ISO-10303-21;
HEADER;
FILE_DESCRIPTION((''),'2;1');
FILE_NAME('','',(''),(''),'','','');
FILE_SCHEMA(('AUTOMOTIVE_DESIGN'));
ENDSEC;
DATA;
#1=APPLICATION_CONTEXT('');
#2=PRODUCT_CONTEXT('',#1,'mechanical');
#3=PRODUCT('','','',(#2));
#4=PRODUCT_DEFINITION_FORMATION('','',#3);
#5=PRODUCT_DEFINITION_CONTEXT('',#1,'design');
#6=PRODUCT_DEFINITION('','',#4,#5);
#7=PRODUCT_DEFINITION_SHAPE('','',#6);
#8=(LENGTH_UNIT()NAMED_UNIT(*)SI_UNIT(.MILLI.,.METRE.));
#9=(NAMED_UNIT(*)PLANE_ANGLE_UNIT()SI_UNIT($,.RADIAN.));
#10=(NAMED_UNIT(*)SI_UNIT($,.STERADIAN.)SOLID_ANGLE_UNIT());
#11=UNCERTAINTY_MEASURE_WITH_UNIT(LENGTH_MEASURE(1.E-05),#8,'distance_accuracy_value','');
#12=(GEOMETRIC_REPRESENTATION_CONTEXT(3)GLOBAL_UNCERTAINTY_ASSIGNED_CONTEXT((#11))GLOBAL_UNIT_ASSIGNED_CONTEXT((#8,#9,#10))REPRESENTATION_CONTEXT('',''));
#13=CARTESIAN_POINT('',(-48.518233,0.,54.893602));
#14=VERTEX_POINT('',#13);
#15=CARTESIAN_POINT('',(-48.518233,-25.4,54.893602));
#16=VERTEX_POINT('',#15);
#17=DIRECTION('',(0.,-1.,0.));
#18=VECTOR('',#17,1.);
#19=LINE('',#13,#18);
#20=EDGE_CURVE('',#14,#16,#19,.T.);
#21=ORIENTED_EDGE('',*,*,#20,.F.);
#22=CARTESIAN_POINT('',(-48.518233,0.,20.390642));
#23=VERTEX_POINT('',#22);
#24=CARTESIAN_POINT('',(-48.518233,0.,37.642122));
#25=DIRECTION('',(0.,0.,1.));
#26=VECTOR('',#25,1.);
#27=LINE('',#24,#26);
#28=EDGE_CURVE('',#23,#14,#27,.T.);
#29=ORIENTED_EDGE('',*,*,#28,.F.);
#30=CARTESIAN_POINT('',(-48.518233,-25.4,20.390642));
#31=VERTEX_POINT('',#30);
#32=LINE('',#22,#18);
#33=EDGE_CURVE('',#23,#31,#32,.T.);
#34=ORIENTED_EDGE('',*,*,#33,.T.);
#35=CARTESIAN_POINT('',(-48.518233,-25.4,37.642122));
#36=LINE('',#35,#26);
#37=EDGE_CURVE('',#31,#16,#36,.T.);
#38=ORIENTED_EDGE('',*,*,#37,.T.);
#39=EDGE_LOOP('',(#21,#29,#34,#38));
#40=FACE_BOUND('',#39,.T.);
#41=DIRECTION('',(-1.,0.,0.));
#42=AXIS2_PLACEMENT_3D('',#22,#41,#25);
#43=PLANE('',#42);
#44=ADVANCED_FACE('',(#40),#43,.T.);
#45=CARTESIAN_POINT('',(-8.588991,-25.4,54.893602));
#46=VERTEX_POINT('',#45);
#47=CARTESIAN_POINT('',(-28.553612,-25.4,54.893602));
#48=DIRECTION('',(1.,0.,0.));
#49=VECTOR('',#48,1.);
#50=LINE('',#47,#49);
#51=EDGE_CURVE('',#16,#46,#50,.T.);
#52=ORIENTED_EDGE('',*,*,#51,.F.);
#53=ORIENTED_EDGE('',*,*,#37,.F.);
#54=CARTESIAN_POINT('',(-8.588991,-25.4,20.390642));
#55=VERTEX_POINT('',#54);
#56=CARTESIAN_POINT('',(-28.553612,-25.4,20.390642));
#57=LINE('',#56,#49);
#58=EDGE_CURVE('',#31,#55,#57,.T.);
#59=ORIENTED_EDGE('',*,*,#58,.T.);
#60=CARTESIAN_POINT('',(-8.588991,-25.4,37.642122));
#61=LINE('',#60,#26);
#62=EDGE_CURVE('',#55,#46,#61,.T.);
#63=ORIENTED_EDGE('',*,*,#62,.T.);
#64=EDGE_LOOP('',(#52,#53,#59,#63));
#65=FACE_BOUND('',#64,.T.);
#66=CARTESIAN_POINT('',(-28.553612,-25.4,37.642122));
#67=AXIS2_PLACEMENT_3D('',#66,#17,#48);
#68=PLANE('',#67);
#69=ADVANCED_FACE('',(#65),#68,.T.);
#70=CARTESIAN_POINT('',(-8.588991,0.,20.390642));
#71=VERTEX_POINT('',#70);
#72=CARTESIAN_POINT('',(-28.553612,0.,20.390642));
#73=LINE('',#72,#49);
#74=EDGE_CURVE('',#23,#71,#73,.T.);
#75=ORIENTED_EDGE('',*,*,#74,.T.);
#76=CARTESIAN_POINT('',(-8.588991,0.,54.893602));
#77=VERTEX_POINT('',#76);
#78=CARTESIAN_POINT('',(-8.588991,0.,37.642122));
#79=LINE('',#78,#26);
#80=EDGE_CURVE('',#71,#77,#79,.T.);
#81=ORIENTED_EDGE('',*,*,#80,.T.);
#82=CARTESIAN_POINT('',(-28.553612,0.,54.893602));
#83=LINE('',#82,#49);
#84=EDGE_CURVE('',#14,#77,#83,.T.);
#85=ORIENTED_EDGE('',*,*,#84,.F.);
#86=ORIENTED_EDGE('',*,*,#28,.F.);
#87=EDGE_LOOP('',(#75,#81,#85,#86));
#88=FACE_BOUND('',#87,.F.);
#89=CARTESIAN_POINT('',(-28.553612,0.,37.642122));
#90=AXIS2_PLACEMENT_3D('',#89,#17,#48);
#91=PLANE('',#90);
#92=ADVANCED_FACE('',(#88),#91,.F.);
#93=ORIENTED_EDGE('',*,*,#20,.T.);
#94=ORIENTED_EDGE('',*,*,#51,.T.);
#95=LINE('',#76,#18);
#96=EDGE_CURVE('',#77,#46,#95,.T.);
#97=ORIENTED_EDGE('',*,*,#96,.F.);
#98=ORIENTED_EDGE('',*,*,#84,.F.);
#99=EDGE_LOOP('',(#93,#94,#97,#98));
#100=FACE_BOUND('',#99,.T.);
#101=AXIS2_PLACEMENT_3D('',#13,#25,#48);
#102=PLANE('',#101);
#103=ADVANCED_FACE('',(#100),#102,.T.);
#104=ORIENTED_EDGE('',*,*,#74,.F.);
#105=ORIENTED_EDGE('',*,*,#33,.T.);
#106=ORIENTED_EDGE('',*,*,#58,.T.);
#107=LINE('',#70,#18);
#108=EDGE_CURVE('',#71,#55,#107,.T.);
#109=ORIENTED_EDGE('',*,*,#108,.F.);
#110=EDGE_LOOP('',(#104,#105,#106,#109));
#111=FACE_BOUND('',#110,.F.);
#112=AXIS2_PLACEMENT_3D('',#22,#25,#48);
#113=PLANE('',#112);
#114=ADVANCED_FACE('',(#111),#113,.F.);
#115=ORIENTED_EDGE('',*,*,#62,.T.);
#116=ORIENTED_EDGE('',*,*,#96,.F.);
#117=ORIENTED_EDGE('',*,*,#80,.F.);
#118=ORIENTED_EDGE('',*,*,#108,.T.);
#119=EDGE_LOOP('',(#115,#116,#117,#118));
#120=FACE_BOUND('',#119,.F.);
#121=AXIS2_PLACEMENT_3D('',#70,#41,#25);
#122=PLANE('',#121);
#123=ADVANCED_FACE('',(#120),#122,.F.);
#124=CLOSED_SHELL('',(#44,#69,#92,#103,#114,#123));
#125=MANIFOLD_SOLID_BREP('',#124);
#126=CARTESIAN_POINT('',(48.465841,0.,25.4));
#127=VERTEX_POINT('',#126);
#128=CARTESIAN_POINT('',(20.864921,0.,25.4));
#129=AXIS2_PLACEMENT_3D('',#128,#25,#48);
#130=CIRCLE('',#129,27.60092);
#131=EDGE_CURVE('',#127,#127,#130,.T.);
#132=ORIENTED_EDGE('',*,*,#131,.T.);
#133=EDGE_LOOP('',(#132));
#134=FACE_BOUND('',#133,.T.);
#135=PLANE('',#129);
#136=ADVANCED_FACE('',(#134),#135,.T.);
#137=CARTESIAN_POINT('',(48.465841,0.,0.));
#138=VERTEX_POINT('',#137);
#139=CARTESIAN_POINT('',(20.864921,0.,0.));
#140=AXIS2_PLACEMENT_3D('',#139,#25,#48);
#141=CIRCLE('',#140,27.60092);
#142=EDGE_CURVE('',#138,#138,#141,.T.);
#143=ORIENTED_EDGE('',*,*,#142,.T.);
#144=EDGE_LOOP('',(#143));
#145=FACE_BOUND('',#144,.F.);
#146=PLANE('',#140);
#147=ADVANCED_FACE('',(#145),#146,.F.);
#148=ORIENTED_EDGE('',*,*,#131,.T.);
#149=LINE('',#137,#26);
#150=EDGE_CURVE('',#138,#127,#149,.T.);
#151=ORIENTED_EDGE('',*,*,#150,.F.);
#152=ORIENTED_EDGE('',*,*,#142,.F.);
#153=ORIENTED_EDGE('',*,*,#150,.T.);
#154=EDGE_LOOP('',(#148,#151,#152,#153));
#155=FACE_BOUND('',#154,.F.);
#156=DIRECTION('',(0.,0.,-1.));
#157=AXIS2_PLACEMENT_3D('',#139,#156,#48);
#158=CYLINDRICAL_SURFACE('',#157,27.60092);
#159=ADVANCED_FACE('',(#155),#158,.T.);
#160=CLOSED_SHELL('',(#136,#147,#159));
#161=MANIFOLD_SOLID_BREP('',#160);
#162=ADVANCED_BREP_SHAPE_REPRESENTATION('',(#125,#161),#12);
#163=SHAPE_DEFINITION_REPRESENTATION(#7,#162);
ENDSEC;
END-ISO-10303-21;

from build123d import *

# Parameters (mm, degrees)
F0_W     = 39.929242
F0_H     = 34.502959
F1_DEPTH = 25.4
F2_R     = 27.60092
F3_DEPTH = 25.4


with BuildPart() as f1:
    # F0 (on Front) → F1 (new body)
    with BuildSketch(Plane.XZ):
        with Locations((-28.553612, 37.642122)):
            Rectangle(F0_W, F0_H)
    extrude(amount=F1_DEPTH)


with BuildPart() as f3:
    # F2 (on Top) → F3 (new body)
    with BuildSketch(Plane.XY):
        with Locations((20.864921, 0)):
            Circle(F2_R)
    extrude(amount=F3_DEPTH)


solid = Compound([f1.part, f3.part])
